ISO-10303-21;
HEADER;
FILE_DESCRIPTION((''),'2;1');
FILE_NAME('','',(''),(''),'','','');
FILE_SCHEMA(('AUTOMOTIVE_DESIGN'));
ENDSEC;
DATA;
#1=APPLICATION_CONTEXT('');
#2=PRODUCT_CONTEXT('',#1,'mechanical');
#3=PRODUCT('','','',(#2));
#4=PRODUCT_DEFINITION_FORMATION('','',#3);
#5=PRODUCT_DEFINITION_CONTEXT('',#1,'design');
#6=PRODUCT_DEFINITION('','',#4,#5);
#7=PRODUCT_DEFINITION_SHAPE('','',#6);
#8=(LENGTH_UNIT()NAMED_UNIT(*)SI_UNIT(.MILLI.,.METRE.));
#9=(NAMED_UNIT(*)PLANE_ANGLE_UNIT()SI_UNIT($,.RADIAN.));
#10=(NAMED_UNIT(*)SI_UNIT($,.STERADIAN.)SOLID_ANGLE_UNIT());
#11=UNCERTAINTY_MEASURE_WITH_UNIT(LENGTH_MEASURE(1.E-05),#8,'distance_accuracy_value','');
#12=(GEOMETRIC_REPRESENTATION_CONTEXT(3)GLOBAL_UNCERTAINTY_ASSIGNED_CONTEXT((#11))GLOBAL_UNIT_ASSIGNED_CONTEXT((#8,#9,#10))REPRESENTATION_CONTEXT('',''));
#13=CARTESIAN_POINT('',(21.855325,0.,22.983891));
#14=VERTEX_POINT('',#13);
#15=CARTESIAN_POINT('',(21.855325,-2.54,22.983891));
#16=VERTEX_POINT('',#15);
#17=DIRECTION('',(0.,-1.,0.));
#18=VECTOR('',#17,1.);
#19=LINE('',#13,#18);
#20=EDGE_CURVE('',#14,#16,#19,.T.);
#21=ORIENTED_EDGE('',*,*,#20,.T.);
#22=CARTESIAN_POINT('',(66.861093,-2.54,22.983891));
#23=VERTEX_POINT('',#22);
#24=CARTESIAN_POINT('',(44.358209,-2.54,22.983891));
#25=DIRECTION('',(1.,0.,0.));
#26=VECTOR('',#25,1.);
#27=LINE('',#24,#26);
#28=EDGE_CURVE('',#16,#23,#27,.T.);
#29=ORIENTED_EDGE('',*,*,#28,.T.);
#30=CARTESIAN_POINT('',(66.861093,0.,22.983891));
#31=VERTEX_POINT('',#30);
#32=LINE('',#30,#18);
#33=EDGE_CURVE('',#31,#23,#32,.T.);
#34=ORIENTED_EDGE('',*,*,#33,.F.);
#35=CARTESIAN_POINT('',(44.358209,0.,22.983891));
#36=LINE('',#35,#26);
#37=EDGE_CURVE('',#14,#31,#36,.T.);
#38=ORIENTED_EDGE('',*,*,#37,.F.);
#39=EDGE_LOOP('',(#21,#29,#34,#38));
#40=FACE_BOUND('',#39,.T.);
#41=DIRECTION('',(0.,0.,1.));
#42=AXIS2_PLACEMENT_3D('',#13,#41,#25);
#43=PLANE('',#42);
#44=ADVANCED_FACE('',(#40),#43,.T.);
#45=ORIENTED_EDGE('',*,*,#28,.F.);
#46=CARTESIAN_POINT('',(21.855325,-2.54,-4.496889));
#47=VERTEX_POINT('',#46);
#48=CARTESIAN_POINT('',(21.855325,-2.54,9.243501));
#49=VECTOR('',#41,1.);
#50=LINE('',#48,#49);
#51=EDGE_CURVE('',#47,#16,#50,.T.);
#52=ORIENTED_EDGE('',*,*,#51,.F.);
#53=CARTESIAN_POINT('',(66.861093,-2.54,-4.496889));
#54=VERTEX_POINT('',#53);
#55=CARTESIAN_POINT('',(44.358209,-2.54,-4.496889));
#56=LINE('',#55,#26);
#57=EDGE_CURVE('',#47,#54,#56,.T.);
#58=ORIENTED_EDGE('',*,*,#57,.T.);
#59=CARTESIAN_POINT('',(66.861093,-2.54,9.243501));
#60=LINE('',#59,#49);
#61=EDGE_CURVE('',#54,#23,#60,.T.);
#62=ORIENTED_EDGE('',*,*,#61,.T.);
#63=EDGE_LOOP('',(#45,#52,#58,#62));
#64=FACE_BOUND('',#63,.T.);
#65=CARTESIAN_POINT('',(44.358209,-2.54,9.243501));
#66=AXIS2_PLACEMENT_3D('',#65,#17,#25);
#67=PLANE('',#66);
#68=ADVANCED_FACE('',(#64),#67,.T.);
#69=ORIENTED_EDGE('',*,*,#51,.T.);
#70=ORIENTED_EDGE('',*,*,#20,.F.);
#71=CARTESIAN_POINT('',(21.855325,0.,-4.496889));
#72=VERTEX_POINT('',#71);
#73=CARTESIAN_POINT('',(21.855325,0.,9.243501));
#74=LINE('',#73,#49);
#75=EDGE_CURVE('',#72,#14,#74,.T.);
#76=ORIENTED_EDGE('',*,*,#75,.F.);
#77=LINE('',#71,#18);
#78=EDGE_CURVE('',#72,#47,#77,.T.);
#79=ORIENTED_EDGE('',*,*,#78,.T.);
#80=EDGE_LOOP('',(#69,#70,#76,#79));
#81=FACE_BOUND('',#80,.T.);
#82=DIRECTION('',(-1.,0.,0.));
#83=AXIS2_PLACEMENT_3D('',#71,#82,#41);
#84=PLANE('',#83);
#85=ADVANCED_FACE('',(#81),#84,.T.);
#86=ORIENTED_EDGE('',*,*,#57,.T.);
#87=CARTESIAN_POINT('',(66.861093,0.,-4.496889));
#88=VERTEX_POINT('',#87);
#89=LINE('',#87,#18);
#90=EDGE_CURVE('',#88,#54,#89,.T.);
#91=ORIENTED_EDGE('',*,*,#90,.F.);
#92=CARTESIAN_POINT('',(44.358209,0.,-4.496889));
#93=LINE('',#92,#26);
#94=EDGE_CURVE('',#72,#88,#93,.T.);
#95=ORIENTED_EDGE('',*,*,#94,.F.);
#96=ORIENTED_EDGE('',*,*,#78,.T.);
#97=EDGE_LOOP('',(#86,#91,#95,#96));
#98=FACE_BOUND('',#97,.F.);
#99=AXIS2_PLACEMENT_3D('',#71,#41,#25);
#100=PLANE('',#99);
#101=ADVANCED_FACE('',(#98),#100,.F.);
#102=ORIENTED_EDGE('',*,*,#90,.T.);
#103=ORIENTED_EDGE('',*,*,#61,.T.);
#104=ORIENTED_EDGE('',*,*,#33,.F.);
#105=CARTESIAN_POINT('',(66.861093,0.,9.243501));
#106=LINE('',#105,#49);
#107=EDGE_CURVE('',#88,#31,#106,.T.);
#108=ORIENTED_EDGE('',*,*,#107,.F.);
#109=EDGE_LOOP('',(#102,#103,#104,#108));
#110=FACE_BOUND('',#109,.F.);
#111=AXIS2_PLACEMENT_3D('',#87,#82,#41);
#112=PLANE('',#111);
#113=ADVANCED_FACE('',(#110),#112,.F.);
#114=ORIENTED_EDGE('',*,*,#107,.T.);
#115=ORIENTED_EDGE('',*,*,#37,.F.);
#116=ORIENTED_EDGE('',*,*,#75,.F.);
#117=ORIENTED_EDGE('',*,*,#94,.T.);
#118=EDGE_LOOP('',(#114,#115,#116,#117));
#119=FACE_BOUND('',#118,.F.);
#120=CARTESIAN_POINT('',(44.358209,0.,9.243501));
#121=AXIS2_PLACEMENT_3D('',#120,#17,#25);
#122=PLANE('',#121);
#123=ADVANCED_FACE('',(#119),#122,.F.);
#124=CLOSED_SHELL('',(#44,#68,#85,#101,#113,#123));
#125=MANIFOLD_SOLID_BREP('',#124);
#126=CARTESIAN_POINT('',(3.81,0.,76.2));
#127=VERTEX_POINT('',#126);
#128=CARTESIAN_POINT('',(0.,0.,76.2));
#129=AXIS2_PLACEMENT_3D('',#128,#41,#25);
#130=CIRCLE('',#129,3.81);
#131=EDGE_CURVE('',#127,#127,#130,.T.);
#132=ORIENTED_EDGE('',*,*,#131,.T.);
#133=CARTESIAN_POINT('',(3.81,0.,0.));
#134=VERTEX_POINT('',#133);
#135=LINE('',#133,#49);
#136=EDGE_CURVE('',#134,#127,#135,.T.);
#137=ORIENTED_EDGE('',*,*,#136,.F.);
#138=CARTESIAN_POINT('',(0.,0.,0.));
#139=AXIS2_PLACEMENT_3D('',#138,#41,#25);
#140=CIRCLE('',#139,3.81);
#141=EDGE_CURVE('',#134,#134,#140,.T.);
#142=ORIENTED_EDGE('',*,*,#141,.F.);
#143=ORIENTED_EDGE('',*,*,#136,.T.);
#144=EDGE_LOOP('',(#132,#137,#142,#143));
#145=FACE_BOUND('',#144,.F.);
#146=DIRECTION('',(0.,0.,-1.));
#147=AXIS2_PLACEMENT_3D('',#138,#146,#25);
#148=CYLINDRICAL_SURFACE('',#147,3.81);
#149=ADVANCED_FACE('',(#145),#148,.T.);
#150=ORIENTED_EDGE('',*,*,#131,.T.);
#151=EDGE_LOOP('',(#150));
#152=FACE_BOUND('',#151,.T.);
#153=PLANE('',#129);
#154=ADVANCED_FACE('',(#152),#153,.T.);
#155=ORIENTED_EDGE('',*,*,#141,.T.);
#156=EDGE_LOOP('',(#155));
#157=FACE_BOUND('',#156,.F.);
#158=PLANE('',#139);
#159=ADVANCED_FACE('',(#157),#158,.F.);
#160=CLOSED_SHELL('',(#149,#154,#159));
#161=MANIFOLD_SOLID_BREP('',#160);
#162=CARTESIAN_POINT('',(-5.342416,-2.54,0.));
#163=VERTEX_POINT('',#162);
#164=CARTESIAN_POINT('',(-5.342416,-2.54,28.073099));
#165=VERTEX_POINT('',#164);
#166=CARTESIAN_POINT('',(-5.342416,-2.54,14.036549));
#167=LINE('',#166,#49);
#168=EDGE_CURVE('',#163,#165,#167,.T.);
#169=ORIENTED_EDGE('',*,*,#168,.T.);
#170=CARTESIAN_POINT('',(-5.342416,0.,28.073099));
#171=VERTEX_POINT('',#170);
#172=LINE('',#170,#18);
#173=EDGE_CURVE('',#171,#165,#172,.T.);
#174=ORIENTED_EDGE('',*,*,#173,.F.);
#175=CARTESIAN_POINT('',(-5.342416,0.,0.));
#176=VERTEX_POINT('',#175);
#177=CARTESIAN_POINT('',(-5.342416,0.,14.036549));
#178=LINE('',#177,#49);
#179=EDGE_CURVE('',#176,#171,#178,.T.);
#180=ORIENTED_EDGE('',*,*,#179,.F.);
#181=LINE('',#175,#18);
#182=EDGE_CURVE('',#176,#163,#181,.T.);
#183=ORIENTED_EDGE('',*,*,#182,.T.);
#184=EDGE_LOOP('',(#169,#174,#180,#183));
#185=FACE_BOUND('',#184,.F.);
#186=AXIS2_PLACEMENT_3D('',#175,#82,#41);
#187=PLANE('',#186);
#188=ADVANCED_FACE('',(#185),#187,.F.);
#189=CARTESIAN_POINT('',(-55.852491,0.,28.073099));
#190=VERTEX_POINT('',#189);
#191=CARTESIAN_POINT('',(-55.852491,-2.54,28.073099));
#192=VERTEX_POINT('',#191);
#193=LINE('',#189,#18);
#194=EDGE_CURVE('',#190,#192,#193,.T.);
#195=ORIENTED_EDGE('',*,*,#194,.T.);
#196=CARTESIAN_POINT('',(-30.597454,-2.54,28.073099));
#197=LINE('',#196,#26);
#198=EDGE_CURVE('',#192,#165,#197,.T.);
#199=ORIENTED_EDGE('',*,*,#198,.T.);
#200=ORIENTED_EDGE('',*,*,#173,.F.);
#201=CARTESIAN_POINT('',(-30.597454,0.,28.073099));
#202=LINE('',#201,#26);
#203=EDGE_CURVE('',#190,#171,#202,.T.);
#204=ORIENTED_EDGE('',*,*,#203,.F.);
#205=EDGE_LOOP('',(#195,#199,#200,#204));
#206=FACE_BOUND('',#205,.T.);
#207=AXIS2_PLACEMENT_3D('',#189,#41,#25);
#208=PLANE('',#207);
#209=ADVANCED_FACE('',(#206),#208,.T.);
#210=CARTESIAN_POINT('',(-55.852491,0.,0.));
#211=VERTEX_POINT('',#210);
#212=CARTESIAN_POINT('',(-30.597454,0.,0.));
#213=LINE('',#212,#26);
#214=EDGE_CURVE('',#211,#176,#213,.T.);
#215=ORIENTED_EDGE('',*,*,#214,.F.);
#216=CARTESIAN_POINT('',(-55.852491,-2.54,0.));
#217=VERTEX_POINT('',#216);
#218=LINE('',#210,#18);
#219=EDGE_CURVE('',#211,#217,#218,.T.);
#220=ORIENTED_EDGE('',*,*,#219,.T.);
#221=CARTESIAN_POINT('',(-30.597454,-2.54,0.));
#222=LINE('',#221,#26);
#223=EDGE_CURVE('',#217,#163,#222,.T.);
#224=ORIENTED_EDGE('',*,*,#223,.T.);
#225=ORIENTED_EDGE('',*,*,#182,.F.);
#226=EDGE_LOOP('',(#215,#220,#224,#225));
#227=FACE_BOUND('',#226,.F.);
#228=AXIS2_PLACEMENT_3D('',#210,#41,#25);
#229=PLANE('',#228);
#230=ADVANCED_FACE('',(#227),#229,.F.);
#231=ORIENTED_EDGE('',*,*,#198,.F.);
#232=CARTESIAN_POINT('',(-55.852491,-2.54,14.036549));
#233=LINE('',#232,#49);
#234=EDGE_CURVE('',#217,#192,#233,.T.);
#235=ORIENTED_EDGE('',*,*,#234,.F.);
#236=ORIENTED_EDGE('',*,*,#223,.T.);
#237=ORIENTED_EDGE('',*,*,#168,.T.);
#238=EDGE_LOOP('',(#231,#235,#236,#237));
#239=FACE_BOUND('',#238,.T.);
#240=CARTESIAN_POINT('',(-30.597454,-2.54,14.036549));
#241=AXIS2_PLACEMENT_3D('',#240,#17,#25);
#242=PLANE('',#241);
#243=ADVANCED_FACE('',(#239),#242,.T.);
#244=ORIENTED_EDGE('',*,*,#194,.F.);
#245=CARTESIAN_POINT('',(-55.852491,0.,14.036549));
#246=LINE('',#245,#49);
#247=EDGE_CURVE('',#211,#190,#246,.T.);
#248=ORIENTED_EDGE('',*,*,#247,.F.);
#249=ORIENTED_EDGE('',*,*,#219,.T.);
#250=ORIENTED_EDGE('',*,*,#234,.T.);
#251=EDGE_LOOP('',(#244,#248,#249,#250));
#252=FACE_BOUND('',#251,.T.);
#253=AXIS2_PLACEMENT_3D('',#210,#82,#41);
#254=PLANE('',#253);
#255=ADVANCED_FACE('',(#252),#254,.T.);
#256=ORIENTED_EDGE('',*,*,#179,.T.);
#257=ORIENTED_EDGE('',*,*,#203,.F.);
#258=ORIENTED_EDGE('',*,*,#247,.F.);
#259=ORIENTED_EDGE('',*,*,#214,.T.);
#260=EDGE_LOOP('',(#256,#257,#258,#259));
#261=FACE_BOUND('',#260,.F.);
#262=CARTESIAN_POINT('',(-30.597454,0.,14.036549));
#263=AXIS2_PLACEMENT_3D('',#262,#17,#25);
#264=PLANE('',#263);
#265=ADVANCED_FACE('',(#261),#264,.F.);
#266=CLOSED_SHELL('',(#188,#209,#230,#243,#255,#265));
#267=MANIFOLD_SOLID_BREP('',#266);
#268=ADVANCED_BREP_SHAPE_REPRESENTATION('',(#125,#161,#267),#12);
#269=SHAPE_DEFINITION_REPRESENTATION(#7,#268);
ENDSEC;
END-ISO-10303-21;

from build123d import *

# Parameters (mm, degrees)
F0_W     = 50.510075
F0_H     = 28.073099
F1_DEPTH = 2.54
F2_W     = 45.005768
F2_H     = 27.480781
F3_DEPTH = 2.54
F4_R     = 3.81
F5_DEPTH = 76.2


with BuildPart() as f1:
    # F0 (on Front) → F1 (new body)
    with BuildSketch(Plane.XZ):
        with Locations((-30.597454, 14.036549)):
            Rectangle(F0_W, F0_H)
    extrude(amount=F1_DEPTH)


with BuildPart() as f3:
    # F2 (on Front) → F3 (new body)
    with BuildSketch(Plane.XZ):
        with Locations((44.358209, 9.243501)):
            Rectangle(F2_W, F2_H)
    extrude(amount=F3_DEPTH)


with BuildPart() as f5:
    # F4 (on Top) → F5 (new body)
    with BuildSketch(Plane.XY):
        Circle(F4_R)
    extrude(amount=F5_DEPTH)


solid = Compound([f1.part, f3.part, f5.part])
